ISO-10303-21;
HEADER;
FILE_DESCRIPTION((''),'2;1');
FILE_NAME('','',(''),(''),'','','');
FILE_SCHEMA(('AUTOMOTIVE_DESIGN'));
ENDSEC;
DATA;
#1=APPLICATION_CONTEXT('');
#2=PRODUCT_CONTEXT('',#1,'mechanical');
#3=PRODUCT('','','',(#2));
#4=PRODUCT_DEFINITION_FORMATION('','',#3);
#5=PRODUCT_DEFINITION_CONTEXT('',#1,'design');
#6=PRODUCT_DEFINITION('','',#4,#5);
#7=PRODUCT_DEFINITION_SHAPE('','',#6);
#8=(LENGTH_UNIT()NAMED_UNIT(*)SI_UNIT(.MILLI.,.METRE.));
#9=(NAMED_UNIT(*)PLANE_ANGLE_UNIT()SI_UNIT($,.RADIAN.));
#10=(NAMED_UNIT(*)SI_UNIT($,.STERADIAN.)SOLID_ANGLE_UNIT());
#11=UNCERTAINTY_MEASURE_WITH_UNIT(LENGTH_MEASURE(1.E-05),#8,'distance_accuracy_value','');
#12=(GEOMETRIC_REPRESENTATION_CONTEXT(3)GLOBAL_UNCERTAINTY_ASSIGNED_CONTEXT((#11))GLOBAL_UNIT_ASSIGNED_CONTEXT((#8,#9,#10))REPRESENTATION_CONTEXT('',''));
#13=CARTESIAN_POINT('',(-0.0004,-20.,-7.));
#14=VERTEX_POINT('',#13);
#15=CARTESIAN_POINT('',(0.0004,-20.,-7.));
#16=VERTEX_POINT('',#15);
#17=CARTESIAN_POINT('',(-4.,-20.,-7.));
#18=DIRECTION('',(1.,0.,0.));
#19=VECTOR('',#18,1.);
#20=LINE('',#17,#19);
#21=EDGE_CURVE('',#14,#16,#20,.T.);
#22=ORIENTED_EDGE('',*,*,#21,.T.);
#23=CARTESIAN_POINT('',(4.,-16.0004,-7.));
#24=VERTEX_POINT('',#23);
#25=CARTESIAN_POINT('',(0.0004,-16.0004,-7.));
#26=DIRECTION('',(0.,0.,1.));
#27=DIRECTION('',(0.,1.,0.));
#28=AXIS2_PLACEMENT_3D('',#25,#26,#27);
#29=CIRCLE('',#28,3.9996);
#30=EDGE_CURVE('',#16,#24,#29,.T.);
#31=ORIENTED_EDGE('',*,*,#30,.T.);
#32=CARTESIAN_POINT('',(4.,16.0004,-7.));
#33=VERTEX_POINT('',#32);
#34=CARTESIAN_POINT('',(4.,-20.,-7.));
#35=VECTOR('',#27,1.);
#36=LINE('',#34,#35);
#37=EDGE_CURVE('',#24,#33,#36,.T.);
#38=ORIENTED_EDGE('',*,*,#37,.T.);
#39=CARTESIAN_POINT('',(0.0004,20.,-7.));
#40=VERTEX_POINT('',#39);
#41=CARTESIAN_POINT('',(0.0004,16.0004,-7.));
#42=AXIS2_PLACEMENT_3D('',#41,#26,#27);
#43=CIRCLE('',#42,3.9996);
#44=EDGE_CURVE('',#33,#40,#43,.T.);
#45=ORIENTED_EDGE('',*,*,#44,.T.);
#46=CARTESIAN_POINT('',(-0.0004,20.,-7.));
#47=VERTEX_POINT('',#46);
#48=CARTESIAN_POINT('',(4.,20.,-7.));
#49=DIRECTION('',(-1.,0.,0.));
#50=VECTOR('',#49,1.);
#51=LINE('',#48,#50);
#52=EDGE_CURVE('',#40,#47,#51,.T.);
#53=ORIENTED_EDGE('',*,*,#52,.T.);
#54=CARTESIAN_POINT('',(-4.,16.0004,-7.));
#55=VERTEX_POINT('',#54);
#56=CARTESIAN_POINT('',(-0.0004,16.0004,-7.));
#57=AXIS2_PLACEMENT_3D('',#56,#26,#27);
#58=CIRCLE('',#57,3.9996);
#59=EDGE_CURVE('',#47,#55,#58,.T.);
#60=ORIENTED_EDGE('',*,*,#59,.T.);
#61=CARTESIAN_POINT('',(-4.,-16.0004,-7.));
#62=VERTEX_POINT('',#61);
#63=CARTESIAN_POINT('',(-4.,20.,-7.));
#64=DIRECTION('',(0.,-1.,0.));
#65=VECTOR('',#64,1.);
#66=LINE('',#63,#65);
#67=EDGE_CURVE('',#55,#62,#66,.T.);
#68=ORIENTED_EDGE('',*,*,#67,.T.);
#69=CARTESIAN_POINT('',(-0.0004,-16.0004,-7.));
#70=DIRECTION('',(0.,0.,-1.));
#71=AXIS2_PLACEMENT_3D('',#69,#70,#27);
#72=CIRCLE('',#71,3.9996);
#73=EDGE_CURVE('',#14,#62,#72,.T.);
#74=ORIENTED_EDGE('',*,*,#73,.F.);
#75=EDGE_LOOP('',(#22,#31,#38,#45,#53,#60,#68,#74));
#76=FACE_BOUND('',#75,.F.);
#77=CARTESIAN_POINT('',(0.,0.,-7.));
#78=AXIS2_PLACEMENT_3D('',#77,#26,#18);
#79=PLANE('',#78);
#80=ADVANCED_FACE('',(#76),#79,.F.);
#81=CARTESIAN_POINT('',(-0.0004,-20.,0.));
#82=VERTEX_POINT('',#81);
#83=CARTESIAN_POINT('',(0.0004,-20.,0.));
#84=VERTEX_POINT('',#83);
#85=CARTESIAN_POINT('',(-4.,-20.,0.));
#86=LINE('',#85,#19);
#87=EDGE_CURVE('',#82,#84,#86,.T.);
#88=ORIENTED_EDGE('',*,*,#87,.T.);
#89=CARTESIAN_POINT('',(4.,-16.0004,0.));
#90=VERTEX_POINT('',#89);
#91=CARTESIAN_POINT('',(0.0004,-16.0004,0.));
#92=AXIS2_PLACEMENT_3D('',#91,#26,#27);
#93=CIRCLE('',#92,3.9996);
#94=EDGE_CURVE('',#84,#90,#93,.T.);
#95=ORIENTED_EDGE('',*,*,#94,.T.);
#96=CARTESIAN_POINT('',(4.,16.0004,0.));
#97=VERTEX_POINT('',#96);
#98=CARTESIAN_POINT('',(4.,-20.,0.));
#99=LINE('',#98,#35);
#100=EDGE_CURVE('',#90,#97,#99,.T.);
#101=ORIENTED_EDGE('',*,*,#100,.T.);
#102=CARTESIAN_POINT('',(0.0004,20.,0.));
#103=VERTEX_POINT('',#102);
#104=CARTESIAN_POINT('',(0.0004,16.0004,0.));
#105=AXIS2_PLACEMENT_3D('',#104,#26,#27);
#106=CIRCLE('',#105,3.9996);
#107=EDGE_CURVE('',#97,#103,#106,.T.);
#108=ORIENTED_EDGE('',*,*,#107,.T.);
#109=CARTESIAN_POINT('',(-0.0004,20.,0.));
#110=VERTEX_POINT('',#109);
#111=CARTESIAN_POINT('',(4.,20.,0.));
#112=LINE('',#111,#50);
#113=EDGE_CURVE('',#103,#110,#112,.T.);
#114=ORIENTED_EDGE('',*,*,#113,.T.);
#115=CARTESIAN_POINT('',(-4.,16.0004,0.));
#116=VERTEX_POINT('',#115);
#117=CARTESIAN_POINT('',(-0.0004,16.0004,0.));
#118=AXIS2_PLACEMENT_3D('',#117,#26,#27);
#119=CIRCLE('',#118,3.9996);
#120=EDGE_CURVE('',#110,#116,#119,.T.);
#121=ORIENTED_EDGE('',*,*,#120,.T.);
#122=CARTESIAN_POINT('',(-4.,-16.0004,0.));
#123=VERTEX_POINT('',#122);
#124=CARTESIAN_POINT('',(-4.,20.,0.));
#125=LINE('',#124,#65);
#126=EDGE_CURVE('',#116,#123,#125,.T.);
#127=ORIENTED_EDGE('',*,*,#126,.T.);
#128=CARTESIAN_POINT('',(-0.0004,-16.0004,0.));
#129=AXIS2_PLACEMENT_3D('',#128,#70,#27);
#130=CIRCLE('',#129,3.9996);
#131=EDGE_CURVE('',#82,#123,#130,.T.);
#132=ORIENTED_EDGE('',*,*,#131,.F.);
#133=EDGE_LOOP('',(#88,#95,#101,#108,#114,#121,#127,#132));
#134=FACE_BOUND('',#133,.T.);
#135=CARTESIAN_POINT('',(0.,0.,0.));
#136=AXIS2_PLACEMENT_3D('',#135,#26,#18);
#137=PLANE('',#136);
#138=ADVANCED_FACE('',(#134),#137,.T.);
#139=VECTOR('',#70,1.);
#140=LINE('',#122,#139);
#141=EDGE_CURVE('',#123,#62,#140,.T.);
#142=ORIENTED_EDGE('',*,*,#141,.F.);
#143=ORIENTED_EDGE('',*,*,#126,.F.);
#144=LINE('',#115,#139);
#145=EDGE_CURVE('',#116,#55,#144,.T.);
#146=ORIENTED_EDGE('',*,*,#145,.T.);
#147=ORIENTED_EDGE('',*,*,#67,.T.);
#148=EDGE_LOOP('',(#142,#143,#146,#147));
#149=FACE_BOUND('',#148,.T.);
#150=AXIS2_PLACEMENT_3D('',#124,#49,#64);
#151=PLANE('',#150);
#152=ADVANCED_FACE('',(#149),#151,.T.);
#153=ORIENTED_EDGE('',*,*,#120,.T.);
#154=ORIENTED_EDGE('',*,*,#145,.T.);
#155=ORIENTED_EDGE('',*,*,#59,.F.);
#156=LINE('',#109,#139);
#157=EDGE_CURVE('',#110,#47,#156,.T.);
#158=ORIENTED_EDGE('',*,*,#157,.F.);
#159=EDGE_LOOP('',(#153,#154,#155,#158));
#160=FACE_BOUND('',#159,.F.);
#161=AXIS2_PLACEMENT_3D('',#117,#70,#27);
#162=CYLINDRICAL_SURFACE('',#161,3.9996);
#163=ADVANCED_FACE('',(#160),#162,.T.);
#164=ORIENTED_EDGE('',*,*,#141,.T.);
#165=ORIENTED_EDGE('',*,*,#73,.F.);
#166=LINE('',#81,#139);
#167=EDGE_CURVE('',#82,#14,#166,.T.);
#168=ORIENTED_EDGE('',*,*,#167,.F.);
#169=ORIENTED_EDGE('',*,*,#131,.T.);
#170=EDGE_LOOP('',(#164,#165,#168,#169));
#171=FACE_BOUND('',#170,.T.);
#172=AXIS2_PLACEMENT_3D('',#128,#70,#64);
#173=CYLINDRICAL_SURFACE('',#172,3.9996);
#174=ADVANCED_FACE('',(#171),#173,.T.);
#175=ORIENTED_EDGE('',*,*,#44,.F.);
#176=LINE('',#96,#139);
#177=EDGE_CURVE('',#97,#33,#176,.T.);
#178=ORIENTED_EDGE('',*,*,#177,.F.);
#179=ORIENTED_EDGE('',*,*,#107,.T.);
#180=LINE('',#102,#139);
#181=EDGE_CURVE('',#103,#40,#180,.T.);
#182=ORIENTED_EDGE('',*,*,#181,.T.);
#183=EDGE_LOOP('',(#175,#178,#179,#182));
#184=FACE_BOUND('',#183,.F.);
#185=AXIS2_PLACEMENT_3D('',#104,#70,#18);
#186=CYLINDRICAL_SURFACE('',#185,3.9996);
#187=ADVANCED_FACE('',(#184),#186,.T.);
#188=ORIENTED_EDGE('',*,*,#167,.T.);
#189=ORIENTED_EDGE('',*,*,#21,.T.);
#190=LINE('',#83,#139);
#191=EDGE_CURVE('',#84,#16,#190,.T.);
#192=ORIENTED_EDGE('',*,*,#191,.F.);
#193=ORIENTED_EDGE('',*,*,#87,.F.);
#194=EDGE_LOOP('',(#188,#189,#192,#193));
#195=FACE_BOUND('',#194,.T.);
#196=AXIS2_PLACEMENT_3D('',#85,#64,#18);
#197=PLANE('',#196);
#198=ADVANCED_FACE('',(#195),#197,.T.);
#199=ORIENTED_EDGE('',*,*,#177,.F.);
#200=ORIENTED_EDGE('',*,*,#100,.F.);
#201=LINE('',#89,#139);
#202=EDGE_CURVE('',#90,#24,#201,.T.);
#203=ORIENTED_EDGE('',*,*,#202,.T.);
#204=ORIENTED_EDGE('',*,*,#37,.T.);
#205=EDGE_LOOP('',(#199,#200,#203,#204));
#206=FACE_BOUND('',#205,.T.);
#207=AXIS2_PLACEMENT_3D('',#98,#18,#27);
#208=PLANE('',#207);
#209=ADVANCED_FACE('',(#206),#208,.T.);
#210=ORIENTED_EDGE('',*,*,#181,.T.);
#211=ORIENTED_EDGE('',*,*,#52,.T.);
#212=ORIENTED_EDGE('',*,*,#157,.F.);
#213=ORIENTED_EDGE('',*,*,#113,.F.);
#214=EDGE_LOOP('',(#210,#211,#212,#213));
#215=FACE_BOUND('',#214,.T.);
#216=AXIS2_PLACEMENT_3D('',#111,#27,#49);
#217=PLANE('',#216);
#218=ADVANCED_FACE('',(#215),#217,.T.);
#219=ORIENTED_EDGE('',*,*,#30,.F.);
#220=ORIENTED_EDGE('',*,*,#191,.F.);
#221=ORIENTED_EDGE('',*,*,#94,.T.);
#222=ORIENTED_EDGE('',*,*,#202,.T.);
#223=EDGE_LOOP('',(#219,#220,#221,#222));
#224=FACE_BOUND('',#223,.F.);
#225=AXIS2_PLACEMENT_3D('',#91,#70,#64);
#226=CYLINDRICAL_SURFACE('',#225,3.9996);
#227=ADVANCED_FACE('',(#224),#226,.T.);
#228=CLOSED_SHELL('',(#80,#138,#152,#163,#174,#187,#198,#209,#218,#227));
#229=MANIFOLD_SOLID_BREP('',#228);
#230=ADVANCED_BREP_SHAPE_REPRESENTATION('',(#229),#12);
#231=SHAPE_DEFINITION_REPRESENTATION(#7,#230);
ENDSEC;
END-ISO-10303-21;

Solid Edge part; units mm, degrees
sketch "Sketch1" plane through (0, 0, 0) normal (0, 0, 1) x (1, 0, 0)
  line L0 (-4, -20) -> (4, -20)
  line L1 (4, -20) -> (4, 20)
  line L2 (4, 20) -> (-4, 20)
  line L3 (-4, 20) -> (-4, -20)
  dimension "D1" = 8
  dimension "D2" = 40
extrude "Protrusion1" add sketch "Sketch1" against normal blind 7
fillet "Round_4" radius 4 4 edges at (4, -20, -3.5) (-4, -20, -3.5) (4, 20, -3.5) (-4, 20, -3.5)
properties material "Stainless steel"
